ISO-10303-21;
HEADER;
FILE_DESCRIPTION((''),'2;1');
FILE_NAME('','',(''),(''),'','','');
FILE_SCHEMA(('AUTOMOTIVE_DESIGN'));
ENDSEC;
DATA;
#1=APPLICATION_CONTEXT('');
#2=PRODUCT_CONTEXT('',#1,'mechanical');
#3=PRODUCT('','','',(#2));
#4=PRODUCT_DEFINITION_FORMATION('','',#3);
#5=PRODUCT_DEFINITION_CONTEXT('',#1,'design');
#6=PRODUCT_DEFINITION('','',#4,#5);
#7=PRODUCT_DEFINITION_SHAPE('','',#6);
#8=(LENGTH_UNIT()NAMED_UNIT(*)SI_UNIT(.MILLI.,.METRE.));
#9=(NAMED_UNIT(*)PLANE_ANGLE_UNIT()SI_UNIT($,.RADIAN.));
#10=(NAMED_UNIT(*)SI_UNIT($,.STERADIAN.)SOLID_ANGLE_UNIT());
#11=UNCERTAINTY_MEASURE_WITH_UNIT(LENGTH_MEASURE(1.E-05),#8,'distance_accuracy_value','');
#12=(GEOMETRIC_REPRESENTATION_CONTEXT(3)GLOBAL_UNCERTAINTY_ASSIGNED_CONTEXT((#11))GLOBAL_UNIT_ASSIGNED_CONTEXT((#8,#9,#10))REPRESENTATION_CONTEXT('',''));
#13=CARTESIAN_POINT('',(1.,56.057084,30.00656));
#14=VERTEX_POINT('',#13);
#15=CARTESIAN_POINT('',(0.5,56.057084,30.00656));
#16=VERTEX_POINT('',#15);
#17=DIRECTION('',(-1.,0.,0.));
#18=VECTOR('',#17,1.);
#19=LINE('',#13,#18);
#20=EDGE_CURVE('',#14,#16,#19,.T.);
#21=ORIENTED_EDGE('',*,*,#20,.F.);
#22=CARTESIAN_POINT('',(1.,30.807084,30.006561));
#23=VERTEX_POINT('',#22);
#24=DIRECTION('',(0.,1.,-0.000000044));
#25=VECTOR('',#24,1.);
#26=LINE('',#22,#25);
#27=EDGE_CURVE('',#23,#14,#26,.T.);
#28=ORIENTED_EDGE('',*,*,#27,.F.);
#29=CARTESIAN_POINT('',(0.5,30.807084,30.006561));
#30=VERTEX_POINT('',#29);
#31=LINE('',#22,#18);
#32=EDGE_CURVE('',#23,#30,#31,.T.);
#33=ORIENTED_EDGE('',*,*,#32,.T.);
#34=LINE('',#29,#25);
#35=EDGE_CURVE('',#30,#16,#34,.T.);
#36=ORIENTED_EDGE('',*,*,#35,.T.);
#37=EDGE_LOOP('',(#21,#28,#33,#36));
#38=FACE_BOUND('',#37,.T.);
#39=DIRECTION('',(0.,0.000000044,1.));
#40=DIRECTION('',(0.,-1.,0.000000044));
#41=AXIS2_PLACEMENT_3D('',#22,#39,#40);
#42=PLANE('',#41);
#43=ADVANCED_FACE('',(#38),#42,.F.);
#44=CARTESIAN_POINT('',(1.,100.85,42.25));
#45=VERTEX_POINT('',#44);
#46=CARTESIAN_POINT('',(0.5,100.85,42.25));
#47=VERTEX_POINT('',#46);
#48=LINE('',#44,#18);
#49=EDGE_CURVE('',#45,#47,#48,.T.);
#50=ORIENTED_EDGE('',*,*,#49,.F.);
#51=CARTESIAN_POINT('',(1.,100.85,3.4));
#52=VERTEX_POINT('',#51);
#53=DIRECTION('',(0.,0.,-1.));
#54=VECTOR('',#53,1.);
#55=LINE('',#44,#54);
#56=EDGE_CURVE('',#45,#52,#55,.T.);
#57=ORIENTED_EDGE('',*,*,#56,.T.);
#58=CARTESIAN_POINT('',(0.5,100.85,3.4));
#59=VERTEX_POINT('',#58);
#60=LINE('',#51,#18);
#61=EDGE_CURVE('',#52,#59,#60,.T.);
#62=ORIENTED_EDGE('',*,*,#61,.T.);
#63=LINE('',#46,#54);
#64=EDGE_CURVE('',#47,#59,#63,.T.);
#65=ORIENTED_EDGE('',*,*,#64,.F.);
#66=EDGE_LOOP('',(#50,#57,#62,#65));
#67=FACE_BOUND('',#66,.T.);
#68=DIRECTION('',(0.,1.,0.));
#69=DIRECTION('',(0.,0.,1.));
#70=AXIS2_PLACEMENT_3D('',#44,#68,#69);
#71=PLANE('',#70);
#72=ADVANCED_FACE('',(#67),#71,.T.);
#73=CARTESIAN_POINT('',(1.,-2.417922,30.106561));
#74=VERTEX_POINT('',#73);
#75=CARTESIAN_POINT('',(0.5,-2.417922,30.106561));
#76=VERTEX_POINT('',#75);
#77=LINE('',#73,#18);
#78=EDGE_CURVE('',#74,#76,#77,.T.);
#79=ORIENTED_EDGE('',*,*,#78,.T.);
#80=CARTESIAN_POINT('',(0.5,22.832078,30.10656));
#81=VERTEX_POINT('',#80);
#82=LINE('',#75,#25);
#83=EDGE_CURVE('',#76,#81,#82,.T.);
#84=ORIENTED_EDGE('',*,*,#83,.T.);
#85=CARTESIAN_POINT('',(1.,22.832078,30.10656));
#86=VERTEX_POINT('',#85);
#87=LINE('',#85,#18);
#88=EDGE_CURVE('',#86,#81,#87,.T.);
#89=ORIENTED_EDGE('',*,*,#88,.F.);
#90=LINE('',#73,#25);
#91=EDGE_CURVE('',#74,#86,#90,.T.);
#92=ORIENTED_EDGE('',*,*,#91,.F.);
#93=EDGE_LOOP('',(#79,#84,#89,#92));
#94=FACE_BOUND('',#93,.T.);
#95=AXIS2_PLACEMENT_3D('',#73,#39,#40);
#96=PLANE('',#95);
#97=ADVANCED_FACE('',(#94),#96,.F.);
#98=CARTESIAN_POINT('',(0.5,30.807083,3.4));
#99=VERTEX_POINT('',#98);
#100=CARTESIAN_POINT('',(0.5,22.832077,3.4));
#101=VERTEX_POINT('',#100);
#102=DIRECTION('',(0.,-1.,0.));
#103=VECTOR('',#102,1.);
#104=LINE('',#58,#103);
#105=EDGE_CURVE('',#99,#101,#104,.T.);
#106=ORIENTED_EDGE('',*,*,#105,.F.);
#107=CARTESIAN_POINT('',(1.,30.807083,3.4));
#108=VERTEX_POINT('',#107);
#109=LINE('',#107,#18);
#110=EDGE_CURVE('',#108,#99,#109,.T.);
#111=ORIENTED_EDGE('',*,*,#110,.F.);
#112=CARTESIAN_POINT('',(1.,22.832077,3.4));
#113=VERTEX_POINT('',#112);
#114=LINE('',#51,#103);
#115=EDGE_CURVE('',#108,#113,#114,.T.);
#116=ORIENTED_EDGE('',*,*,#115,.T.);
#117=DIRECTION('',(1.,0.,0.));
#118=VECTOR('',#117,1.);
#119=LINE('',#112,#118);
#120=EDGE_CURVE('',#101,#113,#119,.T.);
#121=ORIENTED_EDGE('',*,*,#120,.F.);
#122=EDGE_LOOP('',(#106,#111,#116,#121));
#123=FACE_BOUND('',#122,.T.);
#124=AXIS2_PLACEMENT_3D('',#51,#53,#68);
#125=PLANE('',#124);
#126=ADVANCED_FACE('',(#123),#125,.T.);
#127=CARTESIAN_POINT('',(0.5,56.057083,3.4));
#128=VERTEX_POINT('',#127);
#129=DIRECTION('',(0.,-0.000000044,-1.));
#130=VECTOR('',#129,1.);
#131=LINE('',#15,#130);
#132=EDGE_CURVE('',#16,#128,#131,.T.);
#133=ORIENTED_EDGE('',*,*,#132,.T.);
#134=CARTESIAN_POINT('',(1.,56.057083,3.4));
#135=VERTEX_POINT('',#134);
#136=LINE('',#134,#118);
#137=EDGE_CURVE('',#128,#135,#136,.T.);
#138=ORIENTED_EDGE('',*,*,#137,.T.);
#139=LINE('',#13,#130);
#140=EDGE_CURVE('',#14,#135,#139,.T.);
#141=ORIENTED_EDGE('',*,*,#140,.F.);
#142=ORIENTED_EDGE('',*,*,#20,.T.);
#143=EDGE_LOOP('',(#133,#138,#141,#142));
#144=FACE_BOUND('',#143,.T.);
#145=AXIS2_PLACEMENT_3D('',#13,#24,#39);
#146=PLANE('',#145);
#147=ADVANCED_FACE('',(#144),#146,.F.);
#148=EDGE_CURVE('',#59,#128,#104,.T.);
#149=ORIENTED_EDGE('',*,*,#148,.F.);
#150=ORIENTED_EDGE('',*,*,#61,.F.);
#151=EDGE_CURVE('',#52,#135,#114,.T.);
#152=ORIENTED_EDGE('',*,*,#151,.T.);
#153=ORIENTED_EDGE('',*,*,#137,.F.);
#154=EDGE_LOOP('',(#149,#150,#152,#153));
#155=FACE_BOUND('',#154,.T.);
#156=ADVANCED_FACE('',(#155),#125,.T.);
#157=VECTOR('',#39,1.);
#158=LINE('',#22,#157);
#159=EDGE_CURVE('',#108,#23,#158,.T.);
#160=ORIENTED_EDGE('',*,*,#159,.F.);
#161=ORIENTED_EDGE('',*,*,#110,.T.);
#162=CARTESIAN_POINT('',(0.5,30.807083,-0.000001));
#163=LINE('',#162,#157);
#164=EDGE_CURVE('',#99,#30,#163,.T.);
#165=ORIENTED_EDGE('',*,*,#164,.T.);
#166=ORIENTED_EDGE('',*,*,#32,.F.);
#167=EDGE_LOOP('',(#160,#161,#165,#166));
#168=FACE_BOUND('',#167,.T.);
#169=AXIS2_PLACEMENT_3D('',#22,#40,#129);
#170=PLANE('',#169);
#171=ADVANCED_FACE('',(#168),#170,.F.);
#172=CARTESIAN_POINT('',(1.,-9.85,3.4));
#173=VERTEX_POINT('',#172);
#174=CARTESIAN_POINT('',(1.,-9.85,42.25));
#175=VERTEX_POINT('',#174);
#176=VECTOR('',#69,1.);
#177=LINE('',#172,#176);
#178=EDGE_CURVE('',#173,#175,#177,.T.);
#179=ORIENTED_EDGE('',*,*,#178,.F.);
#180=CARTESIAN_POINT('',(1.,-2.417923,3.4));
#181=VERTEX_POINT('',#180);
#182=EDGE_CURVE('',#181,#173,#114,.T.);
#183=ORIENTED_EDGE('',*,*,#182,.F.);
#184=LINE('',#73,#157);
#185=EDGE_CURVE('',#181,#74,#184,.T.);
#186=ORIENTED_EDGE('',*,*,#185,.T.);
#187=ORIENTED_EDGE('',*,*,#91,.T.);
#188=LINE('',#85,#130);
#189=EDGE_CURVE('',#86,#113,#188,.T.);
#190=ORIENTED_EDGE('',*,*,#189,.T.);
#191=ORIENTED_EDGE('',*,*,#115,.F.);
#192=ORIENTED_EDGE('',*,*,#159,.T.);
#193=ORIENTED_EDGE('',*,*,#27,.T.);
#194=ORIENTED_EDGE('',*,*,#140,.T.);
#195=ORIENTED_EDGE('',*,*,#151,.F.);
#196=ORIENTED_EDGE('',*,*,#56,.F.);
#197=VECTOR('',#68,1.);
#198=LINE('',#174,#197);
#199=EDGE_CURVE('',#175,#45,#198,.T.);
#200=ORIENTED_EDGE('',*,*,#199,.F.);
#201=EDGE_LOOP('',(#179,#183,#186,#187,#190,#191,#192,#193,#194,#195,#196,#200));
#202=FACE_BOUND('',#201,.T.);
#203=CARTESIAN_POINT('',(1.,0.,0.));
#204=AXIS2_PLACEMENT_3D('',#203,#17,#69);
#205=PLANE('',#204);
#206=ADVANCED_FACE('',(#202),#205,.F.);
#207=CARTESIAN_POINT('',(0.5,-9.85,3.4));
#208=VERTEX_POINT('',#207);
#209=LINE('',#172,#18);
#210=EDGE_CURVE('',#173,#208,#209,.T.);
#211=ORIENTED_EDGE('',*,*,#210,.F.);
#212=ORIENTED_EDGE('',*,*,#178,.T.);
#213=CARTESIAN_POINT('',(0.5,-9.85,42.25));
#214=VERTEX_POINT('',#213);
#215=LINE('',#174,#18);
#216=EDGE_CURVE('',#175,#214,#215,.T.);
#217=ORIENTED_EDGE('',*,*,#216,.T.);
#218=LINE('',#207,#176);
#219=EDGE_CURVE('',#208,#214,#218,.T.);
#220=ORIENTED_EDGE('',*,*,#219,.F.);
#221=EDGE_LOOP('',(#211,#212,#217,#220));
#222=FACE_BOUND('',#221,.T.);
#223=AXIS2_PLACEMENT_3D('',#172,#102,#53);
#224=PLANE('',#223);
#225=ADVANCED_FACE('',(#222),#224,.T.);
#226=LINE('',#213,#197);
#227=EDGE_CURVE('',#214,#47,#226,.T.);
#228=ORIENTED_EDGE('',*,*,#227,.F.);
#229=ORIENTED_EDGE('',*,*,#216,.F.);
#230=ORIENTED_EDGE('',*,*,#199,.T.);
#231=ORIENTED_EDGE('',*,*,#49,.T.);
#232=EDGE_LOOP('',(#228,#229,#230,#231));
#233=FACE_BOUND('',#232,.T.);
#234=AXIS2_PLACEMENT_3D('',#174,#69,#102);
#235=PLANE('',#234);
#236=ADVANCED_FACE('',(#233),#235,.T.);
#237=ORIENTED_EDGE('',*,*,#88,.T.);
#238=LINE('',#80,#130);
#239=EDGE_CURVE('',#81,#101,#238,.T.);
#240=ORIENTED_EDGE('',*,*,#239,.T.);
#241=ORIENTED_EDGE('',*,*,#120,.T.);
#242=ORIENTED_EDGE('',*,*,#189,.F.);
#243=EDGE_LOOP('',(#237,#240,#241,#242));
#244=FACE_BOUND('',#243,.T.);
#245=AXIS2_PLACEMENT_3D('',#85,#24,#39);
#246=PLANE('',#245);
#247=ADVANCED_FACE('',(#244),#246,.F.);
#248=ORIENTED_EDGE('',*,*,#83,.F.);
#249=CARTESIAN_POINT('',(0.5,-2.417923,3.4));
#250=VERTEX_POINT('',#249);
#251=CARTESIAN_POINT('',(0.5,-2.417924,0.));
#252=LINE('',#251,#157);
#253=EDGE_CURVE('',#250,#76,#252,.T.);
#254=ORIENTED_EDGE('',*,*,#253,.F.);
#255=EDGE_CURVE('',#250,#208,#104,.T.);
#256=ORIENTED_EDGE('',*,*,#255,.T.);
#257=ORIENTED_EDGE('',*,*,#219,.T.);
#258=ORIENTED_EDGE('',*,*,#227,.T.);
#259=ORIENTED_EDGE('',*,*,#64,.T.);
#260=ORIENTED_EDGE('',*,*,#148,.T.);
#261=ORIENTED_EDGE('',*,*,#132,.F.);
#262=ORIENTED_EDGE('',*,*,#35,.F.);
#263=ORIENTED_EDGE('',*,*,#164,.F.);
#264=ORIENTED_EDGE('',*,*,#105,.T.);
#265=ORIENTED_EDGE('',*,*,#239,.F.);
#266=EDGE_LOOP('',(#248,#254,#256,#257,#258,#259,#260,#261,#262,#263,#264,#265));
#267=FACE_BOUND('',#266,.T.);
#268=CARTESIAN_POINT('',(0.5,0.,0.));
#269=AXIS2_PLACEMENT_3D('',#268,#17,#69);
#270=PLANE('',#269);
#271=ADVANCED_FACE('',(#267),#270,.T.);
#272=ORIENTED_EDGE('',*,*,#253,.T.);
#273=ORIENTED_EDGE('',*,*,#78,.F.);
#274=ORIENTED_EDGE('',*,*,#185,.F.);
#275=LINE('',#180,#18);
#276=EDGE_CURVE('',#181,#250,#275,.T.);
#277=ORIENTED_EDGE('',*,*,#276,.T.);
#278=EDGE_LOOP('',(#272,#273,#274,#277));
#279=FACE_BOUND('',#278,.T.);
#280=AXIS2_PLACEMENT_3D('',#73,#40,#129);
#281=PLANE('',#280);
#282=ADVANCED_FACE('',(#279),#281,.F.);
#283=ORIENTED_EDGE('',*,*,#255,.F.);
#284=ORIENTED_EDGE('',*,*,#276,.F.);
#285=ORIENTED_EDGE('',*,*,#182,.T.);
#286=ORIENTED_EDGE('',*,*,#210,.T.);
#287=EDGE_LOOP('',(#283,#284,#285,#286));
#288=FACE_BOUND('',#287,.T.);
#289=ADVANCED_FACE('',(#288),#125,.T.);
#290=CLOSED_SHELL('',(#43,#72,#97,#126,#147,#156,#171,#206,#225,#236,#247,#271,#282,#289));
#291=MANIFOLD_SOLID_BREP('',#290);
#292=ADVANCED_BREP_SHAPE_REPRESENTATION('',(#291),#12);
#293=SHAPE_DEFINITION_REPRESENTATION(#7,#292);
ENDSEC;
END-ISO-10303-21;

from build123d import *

# Parameters (mm, degrees)
SKETCH_1_W          = 110.7
SKETCH_1_H          = 38.85
EXTRUDE_1_DEPTH     = 0.5
CUT_EXTRUDE_1_DEPTH = 110.343655509


with BuildPart() as part:
    # Эскиз1 → Бобышка-Вытянуть1 (new body)
    with BuildSketch(Plane(origin=(0.5, 0, 0), x_dir=(0, -1, 0), z_dir=(-1, 0, 0))):
        with Locations((-45.5, 22.825)):
            Rectangle(SKETCH_1_W, SKETCH_1_H)
    extrude(amount=-EXTRUDE_1_DEPTH)

    # Эскиз3 → Вырез-Вытянуть1 (cut, through all)
    with BuildSketch(Plane.ZY.offset(-0.5)):
        Polygon((30.006561442, 30.807083884), (-3.688047368, 30.807082411), (-3.688047368, 56.057082411), (30.006560338, 56.057083884), align=None)
        Polygon((30.106561442, -2.417922215), (-3.688047368, -2.417923692), (-3.688047368, 22.832076308), (30.106560338, 22.832077785), align=None)
    extrude(amount=-CUT_EXTRUDE_1_DEPTH, mode=Mode.SUBTRACT)


solid = part.part
